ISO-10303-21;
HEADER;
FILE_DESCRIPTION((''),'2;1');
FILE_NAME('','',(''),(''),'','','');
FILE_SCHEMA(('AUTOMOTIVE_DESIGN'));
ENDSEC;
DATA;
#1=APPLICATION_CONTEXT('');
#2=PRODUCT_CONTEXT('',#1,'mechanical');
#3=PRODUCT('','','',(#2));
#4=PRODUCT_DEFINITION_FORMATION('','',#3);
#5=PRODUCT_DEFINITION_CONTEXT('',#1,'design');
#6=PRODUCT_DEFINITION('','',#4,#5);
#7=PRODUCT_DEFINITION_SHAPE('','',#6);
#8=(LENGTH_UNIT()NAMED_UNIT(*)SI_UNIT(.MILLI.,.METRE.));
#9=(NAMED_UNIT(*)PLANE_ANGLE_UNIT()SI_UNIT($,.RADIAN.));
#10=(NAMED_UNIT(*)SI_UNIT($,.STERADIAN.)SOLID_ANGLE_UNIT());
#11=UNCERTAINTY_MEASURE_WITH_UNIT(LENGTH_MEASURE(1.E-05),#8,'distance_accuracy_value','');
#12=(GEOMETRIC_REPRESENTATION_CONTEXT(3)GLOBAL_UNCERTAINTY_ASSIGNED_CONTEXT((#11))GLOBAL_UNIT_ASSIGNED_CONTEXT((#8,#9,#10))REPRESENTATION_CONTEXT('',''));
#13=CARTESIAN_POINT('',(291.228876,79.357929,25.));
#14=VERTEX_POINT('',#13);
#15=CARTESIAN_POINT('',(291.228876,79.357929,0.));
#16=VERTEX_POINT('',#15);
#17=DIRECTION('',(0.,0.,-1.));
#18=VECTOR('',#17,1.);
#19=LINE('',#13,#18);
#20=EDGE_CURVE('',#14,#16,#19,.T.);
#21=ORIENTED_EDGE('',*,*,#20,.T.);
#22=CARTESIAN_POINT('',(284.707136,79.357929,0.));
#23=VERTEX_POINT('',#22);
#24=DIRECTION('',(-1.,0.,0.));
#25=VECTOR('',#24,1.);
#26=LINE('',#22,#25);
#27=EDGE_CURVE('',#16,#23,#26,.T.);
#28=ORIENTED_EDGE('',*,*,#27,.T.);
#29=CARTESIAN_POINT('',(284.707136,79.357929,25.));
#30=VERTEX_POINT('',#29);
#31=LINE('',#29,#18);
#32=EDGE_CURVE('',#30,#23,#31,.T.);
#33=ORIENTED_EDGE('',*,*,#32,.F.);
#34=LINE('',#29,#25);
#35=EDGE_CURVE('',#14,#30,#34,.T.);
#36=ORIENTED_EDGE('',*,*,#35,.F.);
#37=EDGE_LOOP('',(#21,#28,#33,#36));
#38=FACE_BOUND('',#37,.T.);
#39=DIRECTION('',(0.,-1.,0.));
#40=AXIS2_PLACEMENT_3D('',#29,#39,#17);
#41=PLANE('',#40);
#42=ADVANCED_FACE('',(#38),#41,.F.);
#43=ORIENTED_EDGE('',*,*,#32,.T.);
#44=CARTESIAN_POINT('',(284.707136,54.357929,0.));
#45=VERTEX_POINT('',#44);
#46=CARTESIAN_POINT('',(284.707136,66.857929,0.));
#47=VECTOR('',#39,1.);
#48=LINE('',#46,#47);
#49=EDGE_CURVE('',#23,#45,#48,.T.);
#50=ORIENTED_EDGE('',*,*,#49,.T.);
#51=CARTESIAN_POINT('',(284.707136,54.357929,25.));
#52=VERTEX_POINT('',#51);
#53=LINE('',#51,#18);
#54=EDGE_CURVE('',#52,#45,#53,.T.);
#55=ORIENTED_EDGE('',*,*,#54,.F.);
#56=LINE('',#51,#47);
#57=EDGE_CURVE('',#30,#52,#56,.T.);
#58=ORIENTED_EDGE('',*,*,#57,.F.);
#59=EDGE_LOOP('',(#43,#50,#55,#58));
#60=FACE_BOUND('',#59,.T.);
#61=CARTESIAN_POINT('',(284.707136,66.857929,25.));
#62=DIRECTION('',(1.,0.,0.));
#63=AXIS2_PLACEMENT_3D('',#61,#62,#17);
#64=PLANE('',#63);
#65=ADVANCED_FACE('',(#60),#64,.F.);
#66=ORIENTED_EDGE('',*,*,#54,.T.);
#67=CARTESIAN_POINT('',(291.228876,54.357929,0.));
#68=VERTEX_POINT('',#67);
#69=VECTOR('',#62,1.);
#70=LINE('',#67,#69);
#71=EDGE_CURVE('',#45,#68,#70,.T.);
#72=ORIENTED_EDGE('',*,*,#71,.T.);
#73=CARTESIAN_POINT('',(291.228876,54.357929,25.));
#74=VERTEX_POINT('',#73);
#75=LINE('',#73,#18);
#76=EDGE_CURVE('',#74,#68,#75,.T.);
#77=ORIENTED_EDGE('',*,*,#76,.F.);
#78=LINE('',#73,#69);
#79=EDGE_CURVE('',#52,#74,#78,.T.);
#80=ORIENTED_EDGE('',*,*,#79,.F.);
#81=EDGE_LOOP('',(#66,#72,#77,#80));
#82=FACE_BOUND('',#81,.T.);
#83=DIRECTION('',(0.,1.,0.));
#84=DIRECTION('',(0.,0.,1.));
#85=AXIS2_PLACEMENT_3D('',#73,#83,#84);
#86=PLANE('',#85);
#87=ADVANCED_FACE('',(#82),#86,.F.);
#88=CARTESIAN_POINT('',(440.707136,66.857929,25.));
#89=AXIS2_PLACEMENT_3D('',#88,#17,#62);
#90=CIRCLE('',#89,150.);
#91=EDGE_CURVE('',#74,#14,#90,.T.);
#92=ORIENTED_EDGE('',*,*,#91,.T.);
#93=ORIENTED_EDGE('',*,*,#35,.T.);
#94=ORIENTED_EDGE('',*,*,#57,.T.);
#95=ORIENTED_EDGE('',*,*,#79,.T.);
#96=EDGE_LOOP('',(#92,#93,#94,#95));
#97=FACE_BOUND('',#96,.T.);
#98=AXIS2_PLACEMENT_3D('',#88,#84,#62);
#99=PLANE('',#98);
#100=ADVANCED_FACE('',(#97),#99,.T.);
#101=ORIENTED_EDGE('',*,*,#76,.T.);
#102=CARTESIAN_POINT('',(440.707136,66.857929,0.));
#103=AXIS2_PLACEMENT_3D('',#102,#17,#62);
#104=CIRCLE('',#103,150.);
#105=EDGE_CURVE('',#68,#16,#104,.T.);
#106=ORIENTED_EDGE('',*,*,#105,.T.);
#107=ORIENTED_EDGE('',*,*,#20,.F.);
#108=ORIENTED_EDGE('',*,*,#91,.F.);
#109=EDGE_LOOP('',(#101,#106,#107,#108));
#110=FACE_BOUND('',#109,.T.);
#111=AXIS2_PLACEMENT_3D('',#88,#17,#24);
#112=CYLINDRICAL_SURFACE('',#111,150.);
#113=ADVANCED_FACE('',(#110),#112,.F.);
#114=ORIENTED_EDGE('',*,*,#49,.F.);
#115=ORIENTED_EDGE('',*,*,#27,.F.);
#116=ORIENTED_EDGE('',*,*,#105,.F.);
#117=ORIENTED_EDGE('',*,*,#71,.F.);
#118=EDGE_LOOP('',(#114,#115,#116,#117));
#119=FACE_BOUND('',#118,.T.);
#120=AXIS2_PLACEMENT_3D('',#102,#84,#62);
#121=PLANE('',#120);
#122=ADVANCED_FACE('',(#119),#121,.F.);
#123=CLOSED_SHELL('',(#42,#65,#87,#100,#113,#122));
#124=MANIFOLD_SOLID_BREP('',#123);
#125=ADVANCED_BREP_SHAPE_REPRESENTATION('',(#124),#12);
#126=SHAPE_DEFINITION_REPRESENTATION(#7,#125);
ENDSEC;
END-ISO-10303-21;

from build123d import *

# Parameters (mm, degrees)
EXTRUDE_1_DEPTH = 25


with BuildPart() as part:
    # 草图1 → 凸台-拉伸1 (new body)
    with BuildSketch(Plane.XY):
        with BuildLine():
            Line((284.707135631, 66.857929268), (284.707135631, 79.357929268))
            Line((284.707135631, 79.357929268), (291.228876343, 79.357929268))
            ThreePointArc((291.228876343, 79.357929268), (290.707135631, 66.857929268), (291.228876343, 54.357929268))
            Line((291.228876343, 54.357929268), (284.707135631, 54.357929268))
            Line((284.707135631, 54.357929268), (284.707135631, 66.857929268))
        make_face()
    extrude(amount=EXTRUDE_1_DEPTH)


solid = part.part
